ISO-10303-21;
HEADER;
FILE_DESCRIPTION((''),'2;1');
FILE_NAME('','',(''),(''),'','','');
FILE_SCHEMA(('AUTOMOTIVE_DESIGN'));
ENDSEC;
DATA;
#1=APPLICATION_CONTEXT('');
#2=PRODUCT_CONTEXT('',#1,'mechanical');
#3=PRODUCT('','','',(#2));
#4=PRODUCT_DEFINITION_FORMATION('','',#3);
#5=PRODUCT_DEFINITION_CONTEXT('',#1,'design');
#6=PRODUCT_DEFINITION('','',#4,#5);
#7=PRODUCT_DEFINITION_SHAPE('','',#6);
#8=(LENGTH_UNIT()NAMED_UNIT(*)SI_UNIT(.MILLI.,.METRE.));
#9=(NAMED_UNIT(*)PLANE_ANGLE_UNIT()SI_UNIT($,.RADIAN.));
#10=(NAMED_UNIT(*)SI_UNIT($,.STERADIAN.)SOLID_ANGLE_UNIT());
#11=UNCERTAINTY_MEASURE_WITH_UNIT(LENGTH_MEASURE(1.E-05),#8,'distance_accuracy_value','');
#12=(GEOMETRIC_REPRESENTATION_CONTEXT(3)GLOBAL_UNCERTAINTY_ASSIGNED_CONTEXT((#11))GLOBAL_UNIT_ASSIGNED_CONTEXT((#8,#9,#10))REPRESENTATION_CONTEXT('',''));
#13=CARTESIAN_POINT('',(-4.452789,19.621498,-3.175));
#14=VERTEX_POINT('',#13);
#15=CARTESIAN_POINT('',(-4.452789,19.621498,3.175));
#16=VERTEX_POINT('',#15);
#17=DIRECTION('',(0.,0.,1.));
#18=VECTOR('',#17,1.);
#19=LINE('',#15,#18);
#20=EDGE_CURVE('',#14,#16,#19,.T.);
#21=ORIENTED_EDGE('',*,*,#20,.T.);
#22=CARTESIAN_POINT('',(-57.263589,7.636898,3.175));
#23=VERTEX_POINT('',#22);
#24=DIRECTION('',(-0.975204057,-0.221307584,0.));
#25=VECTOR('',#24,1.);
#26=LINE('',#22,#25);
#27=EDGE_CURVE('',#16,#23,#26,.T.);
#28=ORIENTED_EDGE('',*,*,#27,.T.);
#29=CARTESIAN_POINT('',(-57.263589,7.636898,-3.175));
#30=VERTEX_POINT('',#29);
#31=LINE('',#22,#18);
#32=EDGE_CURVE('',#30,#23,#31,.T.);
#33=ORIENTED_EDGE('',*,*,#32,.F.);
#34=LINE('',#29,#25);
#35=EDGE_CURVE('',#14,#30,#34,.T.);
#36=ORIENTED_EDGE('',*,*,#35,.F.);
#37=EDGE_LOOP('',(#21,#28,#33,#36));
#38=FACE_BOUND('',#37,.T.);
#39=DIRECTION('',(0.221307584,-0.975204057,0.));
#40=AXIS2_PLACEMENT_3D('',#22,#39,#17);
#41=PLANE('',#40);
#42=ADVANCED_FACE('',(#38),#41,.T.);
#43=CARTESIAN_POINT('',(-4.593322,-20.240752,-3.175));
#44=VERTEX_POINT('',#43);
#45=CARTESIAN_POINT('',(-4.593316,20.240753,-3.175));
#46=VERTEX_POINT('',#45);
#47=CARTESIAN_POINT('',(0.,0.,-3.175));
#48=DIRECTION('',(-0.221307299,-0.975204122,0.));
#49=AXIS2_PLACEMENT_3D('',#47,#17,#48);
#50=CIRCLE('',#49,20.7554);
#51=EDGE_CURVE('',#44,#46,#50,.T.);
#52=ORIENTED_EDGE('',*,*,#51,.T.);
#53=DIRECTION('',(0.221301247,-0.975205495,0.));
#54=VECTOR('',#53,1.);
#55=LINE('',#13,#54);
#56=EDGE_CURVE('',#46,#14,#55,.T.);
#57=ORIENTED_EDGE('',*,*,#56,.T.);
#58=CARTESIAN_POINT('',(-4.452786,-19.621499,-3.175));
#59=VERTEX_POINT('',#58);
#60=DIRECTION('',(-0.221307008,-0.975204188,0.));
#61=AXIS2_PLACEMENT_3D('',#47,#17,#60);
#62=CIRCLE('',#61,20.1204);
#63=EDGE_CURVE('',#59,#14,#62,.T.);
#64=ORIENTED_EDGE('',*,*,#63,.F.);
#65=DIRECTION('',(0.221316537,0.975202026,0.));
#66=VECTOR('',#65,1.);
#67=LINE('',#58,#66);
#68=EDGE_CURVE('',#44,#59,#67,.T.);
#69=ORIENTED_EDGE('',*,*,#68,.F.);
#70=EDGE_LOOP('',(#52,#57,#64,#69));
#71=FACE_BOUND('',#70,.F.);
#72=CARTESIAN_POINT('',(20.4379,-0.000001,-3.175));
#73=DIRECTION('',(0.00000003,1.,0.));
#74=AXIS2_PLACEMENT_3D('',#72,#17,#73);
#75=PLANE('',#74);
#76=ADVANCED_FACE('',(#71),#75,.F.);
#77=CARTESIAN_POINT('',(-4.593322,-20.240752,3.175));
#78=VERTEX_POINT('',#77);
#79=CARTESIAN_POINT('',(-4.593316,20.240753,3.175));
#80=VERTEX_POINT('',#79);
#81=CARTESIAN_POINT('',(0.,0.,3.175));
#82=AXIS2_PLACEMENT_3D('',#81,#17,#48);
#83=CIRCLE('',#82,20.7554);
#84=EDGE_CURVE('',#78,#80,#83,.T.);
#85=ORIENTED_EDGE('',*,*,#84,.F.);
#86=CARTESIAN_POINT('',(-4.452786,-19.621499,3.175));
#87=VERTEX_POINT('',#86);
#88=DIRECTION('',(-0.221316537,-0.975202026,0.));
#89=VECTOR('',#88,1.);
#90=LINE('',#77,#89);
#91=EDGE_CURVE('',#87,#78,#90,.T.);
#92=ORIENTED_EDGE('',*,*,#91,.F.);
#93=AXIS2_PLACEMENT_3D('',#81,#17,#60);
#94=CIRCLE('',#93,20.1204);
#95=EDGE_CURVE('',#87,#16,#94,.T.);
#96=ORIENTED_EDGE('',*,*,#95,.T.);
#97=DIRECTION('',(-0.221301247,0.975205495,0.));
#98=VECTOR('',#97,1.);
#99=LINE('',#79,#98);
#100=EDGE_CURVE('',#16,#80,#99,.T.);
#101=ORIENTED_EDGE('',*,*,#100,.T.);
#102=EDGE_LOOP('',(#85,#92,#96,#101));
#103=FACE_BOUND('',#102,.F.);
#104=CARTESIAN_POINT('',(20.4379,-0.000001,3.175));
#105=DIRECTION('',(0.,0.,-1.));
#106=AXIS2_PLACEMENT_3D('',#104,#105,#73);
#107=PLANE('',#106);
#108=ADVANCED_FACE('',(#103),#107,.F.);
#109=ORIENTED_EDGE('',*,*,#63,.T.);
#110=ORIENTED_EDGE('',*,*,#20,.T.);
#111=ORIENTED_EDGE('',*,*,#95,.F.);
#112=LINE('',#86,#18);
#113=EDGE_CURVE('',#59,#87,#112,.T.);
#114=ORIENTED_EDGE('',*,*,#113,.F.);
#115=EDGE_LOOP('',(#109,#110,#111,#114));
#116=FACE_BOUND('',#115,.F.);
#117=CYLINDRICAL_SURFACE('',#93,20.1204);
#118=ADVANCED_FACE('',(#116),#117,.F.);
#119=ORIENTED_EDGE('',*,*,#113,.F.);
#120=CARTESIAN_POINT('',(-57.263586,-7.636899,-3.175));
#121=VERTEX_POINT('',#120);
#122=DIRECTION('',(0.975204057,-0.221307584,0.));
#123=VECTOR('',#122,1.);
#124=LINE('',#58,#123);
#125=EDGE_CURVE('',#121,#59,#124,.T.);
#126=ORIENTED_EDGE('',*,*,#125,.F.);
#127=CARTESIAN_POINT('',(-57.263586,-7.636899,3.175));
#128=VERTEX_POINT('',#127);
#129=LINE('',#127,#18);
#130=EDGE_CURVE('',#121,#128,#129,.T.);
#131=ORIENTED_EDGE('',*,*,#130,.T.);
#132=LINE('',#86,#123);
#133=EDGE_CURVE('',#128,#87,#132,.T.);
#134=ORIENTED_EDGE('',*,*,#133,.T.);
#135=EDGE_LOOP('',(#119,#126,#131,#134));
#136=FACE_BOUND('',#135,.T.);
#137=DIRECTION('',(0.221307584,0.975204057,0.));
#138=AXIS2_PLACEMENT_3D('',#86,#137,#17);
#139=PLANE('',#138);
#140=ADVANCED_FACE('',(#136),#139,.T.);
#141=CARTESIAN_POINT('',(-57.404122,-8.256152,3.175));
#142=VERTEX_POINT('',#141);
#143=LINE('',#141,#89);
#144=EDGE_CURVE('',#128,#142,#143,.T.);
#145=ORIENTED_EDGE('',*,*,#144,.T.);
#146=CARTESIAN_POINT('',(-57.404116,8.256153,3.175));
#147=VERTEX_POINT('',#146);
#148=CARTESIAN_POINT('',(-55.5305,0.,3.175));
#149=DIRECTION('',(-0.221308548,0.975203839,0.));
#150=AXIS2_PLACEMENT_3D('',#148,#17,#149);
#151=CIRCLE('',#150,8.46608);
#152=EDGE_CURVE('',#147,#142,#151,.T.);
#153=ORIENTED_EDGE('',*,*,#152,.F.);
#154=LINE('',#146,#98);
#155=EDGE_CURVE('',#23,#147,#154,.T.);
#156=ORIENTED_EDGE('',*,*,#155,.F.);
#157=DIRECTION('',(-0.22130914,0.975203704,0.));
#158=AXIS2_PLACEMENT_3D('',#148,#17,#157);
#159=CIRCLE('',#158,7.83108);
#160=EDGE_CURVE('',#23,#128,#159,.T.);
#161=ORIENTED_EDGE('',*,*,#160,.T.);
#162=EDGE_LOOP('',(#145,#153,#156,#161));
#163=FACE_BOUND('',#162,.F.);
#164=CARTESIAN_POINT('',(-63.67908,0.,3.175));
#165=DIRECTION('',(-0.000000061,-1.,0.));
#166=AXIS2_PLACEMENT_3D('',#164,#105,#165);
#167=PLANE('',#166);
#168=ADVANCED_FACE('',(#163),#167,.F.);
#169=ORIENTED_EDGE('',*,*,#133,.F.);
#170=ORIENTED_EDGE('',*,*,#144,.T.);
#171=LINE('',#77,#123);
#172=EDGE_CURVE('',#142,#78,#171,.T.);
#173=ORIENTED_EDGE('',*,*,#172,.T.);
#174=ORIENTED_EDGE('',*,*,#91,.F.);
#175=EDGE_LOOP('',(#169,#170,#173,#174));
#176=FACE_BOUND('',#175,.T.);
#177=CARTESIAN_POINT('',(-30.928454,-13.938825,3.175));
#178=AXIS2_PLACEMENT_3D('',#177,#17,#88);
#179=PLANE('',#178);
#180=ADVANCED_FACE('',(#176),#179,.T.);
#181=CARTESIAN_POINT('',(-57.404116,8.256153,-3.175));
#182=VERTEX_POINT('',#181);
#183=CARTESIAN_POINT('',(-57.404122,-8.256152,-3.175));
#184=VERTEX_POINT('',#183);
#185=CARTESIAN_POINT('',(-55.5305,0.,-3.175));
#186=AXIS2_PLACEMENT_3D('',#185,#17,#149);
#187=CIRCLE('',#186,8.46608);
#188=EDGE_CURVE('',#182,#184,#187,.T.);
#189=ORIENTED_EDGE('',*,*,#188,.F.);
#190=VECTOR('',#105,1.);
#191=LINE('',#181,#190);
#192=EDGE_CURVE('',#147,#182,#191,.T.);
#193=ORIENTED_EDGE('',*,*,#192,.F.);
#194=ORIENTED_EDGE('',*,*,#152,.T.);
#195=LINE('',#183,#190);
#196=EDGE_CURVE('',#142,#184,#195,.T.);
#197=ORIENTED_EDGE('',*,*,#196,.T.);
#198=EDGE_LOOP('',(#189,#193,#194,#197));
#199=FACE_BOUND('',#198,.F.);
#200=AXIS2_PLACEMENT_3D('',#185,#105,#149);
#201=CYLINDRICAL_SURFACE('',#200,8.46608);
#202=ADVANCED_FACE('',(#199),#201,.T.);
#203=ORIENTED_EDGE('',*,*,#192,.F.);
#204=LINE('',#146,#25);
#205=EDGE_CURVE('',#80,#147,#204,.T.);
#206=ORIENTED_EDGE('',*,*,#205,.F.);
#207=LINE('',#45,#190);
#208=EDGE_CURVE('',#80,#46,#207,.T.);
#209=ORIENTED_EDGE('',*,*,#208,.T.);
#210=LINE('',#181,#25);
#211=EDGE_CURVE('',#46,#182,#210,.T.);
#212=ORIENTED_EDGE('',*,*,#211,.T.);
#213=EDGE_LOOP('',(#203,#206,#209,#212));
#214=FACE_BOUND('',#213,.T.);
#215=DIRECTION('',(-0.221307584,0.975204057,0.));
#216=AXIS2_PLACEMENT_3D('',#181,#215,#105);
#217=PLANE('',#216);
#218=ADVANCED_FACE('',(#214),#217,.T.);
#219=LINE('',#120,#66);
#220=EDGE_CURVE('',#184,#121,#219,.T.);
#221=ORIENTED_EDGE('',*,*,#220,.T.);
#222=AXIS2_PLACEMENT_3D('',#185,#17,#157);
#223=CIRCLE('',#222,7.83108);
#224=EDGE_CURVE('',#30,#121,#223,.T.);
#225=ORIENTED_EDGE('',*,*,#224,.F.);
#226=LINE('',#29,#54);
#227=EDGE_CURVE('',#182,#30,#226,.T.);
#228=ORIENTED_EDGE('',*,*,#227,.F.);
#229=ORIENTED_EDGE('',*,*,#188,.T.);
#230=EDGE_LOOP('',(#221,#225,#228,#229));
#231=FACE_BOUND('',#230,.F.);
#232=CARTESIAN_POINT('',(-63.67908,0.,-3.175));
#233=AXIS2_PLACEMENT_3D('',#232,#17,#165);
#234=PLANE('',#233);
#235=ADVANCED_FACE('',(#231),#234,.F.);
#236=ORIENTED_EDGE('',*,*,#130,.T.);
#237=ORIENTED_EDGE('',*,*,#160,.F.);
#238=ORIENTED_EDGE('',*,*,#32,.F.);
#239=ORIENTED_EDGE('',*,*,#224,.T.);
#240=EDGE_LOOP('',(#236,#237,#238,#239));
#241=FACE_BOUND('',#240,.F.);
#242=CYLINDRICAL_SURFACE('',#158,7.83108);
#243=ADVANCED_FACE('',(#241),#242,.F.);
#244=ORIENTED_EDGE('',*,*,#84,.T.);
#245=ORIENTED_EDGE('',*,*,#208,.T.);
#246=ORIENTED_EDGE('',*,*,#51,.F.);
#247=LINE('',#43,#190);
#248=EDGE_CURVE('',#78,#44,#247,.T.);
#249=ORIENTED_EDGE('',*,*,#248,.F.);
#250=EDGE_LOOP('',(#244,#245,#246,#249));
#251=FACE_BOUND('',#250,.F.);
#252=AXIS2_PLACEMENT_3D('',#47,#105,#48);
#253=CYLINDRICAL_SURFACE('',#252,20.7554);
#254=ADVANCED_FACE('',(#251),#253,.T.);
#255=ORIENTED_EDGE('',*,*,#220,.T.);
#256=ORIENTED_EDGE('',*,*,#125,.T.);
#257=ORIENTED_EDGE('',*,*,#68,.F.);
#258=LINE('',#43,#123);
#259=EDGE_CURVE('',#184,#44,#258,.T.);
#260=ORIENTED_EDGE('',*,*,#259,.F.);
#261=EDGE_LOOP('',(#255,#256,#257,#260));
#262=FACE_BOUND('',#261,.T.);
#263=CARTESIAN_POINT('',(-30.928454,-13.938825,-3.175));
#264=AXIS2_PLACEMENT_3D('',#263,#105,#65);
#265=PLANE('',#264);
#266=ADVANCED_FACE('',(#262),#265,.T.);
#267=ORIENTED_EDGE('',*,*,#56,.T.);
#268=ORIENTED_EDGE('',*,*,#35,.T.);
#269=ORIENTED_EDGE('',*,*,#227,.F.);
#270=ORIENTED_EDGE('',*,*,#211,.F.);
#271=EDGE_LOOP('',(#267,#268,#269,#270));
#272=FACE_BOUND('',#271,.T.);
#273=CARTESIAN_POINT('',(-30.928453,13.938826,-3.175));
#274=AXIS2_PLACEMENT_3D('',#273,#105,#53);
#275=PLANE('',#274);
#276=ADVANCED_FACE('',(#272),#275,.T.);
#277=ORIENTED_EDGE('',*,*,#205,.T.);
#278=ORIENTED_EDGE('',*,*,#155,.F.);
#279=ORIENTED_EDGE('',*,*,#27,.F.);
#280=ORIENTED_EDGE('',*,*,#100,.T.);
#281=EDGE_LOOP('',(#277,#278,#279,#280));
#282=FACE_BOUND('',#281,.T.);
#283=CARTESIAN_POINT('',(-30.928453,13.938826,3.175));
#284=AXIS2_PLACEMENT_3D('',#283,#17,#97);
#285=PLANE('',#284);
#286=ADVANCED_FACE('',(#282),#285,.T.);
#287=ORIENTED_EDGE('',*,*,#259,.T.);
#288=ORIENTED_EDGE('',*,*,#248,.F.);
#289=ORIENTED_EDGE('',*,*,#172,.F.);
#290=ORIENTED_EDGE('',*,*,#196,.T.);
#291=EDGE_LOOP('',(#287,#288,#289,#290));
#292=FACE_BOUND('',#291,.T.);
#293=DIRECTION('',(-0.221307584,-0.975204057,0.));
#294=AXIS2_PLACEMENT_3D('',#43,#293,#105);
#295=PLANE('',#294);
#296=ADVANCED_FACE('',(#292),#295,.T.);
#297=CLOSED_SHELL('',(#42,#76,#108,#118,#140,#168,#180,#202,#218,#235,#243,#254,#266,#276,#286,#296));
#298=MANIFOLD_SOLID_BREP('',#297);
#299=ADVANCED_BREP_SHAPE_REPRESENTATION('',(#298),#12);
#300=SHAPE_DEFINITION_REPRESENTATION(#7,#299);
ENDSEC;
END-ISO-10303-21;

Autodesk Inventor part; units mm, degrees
sketch "Эскизная траектория" plane through (0, 0, 0) normal (0, 0, 1) x (1, 0, 0)
  arc A0 (-4.509, -19.8692) -> (-4.509, 19.8692) centre (0, 0) ccw
  arc A1 (-57.3198, 7.8846) -> (-57.3198, -7.8846) centre (-55.5305, 0) ccw
  line L0 (-57.3198, 7.8846) -> (-4.509, 19.8692)
  line L1 (-4.509, -19.8692) -> (-57.3198, -7.8846)
ref_plane "Плоскость сечения" through (-4.509, 19.8692, 0) normal (-0.9752, -0.2213, 0) x (0, 0, 1)
ref_plane "РабПлоскость2" through (0, 0, 0) normal (-1, 0, 0) x (0, 0, 1)
ref_plane "РабПлоскость3" through (-55.5305, 0, 0) normal (0.9298, -0.3681, 0) x (0, 0, 1)
sketch "Сечение" plane through (-4.509, 19.8692, 0) normal (-0.9752, -0.2213, 0) x (0, 0, 1)
  line L0 (-3.175, 0.381) -> (3.175, 0.381)
  line L1 (3.175, 0.381) -> (3.175, -0.254)
  line L2 (3.175, -0.254) -> (-3.175, -0.254)
  line L3 (-3.175, -0.254) -> (-3.175, 0.381)
  line L4 (-3.175, 0) -> (3.175, 0) construction
  point P0 (0, 0)
  point P1 (0, 0)
  dimension "d0" = 6.35
  dimension "d4" = 0.254
  dimension "d5" = 0.381
sweep "Ремень" add profiles "Сечение" path "Эскизная траектория"
equation "\"d0\" = da_B"
equation "\"d4\" = da_a"
equation "\"d5\" = da_a2"
equation "\"da_B\" = 6.35"
equation "\"da_pb\" = 2.032"
equation "\"da_L\" = 203.2"
equation "\"da_a\" = 0.254"
equation "\"da_S\" = 1.143"
equation "\"da_Beta\" = 20deg"
equation "\"da_Ht\" = 0.508"
equation "\"da_H\" = 1.143"
equation "\"da_a2\" = 0.381"
properties part number "Ремень" material "Rubber"
